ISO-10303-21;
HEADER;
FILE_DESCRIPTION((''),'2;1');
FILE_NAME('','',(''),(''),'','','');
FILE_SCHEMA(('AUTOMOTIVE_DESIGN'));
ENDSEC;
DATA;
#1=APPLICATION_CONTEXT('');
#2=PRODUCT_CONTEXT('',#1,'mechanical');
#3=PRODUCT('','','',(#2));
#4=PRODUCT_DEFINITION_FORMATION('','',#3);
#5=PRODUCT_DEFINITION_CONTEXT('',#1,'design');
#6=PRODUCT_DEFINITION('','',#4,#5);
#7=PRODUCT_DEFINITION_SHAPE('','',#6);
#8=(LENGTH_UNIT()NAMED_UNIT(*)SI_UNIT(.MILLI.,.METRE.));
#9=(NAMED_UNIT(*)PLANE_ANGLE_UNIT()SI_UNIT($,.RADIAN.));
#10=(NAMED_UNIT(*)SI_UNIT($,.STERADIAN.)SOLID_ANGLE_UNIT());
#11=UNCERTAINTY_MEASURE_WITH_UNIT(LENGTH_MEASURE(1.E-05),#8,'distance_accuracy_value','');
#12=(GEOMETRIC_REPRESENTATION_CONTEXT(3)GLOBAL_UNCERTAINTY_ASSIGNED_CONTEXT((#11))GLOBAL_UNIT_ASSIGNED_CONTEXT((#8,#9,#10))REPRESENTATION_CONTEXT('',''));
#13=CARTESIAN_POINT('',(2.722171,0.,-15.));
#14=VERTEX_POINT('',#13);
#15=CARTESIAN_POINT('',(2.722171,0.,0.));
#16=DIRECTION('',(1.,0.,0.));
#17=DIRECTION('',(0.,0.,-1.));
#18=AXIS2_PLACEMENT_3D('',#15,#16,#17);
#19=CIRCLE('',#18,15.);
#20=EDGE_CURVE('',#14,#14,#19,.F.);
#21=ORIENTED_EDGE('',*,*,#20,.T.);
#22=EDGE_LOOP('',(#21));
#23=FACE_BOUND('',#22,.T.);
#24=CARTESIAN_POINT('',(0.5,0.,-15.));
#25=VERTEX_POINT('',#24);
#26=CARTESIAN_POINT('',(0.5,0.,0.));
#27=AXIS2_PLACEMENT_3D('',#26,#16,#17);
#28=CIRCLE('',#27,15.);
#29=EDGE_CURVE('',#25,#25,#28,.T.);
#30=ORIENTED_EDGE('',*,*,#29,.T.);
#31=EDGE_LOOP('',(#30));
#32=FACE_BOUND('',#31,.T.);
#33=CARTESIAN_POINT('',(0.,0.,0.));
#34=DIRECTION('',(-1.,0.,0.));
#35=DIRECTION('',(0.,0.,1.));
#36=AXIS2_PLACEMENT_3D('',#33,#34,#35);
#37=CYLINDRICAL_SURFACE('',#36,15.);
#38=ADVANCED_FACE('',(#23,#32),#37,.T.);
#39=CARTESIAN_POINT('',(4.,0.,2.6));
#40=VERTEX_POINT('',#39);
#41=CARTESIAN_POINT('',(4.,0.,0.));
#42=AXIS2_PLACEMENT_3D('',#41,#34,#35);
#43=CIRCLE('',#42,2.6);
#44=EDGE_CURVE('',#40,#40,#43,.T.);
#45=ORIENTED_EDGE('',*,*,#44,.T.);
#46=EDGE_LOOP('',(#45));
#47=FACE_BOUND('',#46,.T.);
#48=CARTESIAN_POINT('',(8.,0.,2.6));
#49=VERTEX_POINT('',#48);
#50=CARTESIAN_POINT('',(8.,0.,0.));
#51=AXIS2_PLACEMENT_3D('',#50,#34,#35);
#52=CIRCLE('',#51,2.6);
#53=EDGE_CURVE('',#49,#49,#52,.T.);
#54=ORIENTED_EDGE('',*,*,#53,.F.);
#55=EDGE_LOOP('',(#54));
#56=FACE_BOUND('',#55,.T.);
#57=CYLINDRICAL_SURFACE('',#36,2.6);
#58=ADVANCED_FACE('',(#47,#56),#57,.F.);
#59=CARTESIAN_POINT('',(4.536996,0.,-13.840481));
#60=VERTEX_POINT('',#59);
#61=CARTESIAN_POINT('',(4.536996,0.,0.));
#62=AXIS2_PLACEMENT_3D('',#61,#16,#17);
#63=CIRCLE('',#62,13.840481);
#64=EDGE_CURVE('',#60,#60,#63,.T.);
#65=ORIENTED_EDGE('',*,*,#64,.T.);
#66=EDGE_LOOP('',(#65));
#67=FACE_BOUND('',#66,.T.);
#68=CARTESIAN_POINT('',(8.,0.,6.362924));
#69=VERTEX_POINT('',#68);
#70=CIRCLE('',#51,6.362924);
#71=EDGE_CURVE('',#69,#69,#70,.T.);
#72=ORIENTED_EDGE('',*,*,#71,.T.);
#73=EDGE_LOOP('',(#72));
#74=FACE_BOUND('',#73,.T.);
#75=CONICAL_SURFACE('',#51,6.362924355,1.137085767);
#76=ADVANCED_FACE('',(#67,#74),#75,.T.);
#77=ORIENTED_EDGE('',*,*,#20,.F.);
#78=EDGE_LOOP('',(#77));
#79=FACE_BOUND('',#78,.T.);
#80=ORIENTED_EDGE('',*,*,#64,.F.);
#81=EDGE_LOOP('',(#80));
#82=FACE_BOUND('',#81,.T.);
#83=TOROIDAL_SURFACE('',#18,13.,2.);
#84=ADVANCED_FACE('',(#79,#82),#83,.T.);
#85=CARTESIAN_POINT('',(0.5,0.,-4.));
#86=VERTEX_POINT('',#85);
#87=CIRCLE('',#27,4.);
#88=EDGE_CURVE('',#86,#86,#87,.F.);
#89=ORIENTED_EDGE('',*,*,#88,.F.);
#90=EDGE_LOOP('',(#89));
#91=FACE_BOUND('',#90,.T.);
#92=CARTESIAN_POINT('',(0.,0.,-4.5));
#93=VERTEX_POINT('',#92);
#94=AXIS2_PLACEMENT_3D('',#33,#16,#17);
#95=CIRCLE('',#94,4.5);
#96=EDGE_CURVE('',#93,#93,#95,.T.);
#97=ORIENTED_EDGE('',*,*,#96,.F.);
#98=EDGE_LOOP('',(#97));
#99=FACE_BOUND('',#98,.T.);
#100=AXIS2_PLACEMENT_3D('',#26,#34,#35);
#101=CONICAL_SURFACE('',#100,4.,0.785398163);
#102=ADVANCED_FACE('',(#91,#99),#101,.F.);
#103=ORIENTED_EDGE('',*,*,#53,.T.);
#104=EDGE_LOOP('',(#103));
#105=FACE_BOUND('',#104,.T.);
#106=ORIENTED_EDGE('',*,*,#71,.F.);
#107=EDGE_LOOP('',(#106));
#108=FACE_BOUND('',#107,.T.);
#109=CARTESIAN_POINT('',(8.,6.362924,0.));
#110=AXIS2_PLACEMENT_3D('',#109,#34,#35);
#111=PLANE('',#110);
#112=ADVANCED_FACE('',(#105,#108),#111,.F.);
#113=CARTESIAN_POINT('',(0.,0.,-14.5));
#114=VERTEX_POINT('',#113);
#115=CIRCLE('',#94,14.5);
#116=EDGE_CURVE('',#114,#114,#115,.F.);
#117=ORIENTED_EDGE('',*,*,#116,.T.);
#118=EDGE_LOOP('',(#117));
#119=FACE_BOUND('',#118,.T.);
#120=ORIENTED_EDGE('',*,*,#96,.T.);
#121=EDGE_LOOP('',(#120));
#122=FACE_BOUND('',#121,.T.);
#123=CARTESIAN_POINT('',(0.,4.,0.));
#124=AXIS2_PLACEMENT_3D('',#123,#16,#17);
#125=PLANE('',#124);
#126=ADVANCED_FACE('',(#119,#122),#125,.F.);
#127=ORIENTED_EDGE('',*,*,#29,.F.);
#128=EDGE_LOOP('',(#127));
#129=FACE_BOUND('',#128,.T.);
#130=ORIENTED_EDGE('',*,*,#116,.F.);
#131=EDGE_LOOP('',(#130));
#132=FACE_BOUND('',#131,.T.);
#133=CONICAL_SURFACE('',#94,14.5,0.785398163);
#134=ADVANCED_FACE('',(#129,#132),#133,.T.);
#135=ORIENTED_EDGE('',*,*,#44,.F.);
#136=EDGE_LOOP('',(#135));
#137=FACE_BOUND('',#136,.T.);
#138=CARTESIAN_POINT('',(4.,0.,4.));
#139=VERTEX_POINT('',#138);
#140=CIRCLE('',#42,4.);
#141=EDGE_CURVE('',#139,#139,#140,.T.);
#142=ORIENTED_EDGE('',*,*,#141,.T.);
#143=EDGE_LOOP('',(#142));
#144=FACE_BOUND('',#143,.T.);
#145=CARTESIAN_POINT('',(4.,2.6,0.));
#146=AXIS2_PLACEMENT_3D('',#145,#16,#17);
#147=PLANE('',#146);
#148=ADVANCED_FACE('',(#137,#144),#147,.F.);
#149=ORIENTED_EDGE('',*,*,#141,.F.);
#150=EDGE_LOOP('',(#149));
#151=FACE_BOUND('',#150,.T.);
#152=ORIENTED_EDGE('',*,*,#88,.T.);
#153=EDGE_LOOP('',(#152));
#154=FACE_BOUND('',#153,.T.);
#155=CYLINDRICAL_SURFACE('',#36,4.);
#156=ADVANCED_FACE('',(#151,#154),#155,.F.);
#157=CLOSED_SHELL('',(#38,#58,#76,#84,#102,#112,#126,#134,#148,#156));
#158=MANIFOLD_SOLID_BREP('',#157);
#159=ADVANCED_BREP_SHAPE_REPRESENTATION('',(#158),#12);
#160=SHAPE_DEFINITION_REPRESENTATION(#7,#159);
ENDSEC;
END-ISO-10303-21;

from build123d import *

# Parameters (mm, degrees)
FILLET1_R     = 2
CHAMFER1_SIZE = 0.5


with BuildPart() as part:
    # Sketch1 → Revolve1 (revolve)
    with BuildSketch(Plane.XY, mode=Mode.PRIVATE) as revolve1_sk:
        Polygon((0, 4), (0, 15), (4, 15), (8, 6.362924355), (8, 2.6), (4, 2.6), (4, 4), align=None)
    revolve(revolve1_sk.sketch.rotate(Axis((0, 0, 0), (1, 0, 0)), 90), axis=Axis((0, 0, 0), (1, 0, 0)))

    # Fillet1
    fillet1_edges = [part.edges().sort_by_distance(p)[0] for p in [
        (4, 0, -15),
    ]]
    fillet(fillet1_edges, radius=FILLET1_R)

    # Chamfer1
    chamfer1_edges = [part.edges().sort_by_distance(p)[0] for p in [
        (0, 0, -15),
        (0, 0, -4),
    ]]
    chamfer(chamfer1_edges, length=CHAMFER1_SIZE)


solid = part.part
